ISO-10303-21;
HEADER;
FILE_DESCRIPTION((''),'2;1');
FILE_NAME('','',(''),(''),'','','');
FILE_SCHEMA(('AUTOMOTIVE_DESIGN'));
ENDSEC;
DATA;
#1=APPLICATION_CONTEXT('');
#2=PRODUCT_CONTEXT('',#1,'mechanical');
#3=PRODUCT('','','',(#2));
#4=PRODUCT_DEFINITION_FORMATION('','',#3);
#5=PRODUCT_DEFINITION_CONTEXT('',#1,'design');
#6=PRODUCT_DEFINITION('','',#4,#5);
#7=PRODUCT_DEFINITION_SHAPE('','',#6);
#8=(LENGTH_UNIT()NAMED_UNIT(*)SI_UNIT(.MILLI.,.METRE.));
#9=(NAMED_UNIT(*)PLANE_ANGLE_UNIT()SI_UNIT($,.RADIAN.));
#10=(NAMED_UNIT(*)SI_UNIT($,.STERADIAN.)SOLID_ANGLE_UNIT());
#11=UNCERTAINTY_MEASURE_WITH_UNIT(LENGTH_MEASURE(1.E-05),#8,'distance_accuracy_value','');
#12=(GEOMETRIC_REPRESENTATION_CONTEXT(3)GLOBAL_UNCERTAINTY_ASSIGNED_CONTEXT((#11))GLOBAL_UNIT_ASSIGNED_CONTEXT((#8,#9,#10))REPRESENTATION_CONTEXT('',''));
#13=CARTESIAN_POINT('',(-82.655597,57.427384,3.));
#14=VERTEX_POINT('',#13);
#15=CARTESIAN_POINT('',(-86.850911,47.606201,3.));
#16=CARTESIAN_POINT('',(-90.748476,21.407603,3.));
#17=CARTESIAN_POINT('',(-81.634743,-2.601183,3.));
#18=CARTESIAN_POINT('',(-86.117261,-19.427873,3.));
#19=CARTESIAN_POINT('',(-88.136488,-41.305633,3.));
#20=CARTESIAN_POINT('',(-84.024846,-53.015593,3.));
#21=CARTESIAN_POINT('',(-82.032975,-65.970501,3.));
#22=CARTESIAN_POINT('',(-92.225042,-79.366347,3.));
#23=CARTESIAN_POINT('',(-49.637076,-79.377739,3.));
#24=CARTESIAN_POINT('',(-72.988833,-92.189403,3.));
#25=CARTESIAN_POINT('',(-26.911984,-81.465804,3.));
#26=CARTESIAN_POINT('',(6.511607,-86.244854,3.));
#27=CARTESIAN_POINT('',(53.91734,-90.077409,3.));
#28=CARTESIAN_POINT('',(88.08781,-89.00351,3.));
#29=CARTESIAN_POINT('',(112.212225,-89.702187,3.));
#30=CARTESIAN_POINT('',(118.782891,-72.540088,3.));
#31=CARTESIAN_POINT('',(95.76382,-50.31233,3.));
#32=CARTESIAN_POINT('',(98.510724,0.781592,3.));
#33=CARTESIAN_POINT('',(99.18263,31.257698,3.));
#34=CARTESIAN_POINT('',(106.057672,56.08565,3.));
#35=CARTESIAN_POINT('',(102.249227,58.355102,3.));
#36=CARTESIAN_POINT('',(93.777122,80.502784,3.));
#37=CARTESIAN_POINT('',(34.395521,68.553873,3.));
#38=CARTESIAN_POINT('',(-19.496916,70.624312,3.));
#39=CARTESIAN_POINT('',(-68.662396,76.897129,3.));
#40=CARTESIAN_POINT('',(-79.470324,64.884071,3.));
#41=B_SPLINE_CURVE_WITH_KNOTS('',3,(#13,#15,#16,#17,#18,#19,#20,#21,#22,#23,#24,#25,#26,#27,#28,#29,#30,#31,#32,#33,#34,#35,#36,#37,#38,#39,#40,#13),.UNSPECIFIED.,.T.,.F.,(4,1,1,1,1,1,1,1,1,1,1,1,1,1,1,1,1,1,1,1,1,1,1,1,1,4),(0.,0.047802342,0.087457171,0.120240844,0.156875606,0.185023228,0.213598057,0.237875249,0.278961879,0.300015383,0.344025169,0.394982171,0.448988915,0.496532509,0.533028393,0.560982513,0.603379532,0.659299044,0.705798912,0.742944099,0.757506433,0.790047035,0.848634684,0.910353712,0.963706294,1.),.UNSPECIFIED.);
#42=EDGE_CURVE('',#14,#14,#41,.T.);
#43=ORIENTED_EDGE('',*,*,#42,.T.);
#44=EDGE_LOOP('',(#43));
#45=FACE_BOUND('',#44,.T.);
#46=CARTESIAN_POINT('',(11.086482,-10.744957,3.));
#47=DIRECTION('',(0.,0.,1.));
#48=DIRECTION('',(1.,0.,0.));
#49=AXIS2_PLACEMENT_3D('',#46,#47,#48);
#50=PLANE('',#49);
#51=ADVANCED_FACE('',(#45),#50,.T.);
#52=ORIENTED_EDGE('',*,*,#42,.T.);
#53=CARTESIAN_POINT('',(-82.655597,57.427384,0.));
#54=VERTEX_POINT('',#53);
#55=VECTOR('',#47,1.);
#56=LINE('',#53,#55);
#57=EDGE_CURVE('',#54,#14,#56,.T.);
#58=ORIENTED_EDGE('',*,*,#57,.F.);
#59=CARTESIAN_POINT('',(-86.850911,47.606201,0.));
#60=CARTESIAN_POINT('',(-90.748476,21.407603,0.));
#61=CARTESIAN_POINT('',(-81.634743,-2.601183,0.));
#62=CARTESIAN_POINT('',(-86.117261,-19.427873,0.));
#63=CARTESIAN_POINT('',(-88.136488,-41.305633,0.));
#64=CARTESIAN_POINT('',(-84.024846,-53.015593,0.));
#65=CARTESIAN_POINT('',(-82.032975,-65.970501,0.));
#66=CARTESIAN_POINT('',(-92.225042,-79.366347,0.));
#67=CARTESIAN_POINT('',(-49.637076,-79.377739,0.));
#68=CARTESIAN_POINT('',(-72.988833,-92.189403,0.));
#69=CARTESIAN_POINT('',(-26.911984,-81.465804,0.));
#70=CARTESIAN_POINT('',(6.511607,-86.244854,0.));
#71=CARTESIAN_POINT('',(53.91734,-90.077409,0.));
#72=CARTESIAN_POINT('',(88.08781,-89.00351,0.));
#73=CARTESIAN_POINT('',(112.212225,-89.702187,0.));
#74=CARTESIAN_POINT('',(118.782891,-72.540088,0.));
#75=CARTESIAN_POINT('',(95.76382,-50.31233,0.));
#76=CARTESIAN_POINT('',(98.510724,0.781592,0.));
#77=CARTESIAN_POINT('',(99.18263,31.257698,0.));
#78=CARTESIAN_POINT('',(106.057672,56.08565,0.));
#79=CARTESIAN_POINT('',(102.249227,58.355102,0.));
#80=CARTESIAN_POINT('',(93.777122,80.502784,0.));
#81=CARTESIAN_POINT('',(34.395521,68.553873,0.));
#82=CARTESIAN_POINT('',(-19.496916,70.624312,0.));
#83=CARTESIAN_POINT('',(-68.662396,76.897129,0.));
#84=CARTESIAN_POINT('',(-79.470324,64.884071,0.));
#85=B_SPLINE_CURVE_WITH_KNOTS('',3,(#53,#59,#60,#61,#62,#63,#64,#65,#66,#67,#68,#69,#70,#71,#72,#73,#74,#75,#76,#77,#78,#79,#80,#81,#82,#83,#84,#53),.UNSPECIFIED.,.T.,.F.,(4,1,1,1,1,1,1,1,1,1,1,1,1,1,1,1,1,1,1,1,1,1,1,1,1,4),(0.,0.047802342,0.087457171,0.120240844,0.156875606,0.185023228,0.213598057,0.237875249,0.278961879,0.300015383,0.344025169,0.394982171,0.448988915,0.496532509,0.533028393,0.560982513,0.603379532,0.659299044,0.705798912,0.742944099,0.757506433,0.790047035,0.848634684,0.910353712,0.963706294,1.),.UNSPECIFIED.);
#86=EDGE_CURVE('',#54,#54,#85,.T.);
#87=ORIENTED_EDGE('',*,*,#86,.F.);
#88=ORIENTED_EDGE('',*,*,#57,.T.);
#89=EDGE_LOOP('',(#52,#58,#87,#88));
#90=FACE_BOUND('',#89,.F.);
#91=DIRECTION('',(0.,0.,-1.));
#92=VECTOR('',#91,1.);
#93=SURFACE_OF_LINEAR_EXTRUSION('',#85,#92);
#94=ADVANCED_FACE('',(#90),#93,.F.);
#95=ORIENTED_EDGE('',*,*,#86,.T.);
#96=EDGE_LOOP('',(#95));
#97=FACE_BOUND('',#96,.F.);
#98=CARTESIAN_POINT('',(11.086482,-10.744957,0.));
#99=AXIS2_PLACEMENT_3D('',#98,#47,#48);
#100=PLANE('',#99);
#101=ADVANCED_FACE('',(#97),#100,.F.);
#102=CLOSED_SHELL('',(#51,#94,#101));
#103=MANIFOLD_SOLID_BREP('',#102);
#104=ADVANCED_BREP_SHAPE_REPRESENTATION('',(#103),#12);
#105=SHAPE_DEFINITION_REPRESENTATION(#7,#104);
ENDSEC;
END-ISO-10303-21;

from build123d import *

# Parameters (mm, degrees)
F1_DEPTH = 3


with BuildPart() as f1:
    # F0 (on Top) → F1 (new body)
    with BuildSketch(Plane.XY):
        with BuildLine():
            add(Edge.make_bspline(
                [(-82.6555969008, 57.4273836392), (-86.8509107166, 47.6062013087), (-90.7484760611, 21.4076033555), (-81.6347431983, -2.6011826991), (-86.117260804, -19.4278734054), (-88.136488429, -41.3056331169), (-84.0248459163, -53.0155931512), (-82.0329747067, -65.9705011652), (-92.2250422497, -79.3663468846), (-49.6370760958, -79.3777386922), (-72.9888325744, -92.189402783), (-26.9119842618, -81.4658037693), (6.5116065015, -86.244854396), (53.9173397512, -90.0774088091), (88.087810206, -89.0035102782), (112.2122246121, -89.7021865993), (118.7828912396, -72.5400883874), (95.763820094, -50.3123301429), (98.510724479, 0.7815919131), (99.1826304186, 31.2576976423), (106.0576722996, 56.0856496259), (102.2492274619, 58.3551018408), (93.7771218985, 80.5027841462), (34.3955213906, 68.5538730367), (-19.4969161917, 70.6243115576), (-68.6623958643, 76.89712871), (-79.470324424, 64.8840705856), (-82.6555969008, 57.4273836392)],
                knots=[0, 0, 0, 0, 0.0478023422, 0.0874571711, 0.1202408444, 0.1568756064, 0.185023228, 0.2135980572, 0.2378752489, 0.2789618791, 0.3000153832, 0.3440251691, 0.394982171, 0.4489889152, 0.4965325089, 0.5330283935, 0.5609825133, 0.6033795325, 0.6592990444, 0.7057989122, 0.7429440989, 0.7575064331, 0.7900470352, 0.8486346843, 0.9103537123, 0.9637062943, 1, 1, 1, 1], degree=3))
        make_face()
    extrude(amount=F1_DEPTH)


solid = f1.part
